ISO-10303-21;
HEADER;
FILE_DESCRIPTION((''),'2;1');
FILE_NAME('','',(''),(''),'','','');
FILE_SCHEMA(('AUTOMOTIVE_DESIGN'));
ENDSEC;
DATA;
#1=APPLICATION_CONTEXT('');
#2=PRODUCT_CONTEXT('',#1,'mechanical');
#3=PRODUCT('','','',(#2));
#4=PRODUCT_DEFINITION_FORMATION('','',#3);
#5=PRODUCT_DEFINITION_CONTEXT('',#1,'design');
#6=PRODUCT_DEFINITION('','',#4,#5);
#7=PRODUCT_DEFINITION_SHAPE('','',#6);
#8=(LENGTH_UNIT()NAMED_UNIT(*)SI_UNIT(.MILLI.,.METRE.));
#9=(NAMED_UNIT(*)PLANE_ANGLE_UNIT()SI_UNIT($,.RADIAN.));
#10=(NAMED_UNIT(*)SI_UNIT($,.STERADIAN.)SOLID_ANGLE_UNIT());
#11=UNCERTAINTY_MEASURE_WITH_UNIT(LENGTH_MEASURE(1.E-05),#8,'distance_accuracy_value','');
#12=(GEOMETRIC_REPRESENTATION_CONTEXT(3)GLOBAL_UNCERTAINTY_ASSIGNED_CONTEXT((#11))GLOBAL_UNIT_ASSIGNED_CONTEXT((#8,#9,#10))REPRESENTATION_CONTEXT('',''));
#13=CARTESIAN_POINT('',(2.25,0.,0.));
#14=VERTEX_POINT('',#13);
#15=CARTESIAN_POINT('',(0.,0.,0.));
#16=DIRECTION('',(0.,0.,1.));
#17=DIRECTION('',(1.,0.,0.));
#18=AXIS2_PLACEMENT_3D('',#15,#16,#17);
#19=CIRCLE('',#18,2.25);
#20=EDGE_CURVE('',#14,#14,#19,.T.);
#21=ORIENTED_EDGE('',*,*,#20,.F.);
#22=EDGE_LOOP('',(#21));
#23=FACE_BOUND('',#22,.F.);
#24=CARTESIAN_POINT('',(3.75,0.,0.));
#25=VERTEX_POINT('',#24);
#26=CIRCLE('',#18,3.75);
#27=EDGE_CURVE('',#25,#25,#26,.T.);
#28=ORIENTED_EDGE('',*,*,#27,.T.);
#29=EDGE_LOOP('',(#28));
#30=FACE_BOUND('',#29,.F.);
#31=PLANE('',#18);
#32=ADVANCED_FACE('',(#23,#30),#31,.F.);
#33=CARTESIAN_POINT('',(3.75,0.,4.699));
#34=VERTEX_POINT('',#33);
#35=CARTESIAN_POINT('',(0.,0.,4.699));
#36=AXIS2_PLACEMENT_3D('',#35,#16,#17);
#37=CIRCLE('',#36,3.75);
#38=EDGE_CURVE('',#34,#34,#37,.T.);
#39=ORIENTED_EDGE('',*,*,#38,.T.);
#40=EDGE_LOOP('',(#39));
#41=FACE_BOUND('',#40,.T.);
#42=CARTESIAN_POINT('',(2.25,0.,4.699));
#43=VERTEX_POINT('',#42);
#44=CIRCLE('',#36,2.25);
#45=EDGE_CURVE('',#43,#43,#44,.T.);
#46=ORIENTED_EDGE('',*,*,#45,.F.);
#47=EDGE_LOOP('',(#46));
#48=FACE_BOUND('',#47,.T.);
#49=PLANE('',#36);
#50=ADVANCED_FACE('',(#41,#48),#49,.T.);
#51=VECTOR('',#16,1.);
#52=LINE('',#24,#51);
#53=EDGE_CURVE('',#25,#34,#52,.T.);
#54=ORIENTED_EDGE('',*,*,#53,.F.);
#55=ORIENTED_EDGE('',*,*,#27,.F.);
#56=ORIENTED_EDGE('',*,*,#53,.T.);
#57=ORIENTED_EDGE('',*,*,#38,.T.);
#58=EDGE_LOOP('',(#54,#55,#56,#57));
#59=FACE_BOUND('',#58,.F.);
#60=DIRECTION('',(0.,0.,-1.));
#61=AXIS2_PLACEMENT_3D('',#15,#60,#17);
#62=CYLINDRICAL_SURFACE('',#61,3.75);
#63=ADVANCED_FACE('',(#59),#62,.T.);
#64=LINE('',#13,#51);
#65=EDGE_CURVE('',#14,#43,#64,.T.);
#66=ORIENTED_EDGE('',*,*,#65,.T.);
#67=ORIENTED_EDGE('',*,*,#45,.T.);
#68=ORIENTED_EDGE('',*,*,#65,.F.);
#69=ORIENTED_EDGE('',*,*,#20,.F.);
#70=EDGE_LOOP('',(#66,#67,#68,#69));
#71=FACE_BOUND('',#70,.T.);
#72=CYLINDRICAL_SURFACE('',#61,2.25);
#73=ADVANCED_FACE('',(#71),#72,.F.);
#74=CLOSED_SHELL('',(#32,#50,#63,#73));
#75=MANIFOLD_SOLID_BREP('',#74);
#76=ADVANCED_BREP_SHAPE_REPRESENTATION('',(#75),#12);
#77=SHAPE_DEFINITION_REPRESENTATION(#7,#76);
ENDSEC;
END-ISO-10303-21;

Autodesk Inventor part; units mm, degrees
ref_plane "YZ Plane" through (0, 0, 0) normal (1, 0, 0) x (0, 1, 0)
ref_plane "XZ Plane" through (0, 0, 0) normal (0, 1, 0) x (-1, 0, 0)
ref_plane "XY Plane" through (0, 0, 0) normal (0, 0, 1) x (1, 0, 0)
sketch "Sketch1" plane through (0, 0, 0) normal (0, 0, 1) x (1, 0, 0)
  circle A0 centre (0, 0) radius 2.25
  circle A1 centre (0, 0) radius 3.75
  dimension "d0" = 4.5
  dimension "d1" = 7.5
extrude "Extrusion1" add sketch "Sketch1" along normal blind 4.699
properties part number "Climb_Spacer"
